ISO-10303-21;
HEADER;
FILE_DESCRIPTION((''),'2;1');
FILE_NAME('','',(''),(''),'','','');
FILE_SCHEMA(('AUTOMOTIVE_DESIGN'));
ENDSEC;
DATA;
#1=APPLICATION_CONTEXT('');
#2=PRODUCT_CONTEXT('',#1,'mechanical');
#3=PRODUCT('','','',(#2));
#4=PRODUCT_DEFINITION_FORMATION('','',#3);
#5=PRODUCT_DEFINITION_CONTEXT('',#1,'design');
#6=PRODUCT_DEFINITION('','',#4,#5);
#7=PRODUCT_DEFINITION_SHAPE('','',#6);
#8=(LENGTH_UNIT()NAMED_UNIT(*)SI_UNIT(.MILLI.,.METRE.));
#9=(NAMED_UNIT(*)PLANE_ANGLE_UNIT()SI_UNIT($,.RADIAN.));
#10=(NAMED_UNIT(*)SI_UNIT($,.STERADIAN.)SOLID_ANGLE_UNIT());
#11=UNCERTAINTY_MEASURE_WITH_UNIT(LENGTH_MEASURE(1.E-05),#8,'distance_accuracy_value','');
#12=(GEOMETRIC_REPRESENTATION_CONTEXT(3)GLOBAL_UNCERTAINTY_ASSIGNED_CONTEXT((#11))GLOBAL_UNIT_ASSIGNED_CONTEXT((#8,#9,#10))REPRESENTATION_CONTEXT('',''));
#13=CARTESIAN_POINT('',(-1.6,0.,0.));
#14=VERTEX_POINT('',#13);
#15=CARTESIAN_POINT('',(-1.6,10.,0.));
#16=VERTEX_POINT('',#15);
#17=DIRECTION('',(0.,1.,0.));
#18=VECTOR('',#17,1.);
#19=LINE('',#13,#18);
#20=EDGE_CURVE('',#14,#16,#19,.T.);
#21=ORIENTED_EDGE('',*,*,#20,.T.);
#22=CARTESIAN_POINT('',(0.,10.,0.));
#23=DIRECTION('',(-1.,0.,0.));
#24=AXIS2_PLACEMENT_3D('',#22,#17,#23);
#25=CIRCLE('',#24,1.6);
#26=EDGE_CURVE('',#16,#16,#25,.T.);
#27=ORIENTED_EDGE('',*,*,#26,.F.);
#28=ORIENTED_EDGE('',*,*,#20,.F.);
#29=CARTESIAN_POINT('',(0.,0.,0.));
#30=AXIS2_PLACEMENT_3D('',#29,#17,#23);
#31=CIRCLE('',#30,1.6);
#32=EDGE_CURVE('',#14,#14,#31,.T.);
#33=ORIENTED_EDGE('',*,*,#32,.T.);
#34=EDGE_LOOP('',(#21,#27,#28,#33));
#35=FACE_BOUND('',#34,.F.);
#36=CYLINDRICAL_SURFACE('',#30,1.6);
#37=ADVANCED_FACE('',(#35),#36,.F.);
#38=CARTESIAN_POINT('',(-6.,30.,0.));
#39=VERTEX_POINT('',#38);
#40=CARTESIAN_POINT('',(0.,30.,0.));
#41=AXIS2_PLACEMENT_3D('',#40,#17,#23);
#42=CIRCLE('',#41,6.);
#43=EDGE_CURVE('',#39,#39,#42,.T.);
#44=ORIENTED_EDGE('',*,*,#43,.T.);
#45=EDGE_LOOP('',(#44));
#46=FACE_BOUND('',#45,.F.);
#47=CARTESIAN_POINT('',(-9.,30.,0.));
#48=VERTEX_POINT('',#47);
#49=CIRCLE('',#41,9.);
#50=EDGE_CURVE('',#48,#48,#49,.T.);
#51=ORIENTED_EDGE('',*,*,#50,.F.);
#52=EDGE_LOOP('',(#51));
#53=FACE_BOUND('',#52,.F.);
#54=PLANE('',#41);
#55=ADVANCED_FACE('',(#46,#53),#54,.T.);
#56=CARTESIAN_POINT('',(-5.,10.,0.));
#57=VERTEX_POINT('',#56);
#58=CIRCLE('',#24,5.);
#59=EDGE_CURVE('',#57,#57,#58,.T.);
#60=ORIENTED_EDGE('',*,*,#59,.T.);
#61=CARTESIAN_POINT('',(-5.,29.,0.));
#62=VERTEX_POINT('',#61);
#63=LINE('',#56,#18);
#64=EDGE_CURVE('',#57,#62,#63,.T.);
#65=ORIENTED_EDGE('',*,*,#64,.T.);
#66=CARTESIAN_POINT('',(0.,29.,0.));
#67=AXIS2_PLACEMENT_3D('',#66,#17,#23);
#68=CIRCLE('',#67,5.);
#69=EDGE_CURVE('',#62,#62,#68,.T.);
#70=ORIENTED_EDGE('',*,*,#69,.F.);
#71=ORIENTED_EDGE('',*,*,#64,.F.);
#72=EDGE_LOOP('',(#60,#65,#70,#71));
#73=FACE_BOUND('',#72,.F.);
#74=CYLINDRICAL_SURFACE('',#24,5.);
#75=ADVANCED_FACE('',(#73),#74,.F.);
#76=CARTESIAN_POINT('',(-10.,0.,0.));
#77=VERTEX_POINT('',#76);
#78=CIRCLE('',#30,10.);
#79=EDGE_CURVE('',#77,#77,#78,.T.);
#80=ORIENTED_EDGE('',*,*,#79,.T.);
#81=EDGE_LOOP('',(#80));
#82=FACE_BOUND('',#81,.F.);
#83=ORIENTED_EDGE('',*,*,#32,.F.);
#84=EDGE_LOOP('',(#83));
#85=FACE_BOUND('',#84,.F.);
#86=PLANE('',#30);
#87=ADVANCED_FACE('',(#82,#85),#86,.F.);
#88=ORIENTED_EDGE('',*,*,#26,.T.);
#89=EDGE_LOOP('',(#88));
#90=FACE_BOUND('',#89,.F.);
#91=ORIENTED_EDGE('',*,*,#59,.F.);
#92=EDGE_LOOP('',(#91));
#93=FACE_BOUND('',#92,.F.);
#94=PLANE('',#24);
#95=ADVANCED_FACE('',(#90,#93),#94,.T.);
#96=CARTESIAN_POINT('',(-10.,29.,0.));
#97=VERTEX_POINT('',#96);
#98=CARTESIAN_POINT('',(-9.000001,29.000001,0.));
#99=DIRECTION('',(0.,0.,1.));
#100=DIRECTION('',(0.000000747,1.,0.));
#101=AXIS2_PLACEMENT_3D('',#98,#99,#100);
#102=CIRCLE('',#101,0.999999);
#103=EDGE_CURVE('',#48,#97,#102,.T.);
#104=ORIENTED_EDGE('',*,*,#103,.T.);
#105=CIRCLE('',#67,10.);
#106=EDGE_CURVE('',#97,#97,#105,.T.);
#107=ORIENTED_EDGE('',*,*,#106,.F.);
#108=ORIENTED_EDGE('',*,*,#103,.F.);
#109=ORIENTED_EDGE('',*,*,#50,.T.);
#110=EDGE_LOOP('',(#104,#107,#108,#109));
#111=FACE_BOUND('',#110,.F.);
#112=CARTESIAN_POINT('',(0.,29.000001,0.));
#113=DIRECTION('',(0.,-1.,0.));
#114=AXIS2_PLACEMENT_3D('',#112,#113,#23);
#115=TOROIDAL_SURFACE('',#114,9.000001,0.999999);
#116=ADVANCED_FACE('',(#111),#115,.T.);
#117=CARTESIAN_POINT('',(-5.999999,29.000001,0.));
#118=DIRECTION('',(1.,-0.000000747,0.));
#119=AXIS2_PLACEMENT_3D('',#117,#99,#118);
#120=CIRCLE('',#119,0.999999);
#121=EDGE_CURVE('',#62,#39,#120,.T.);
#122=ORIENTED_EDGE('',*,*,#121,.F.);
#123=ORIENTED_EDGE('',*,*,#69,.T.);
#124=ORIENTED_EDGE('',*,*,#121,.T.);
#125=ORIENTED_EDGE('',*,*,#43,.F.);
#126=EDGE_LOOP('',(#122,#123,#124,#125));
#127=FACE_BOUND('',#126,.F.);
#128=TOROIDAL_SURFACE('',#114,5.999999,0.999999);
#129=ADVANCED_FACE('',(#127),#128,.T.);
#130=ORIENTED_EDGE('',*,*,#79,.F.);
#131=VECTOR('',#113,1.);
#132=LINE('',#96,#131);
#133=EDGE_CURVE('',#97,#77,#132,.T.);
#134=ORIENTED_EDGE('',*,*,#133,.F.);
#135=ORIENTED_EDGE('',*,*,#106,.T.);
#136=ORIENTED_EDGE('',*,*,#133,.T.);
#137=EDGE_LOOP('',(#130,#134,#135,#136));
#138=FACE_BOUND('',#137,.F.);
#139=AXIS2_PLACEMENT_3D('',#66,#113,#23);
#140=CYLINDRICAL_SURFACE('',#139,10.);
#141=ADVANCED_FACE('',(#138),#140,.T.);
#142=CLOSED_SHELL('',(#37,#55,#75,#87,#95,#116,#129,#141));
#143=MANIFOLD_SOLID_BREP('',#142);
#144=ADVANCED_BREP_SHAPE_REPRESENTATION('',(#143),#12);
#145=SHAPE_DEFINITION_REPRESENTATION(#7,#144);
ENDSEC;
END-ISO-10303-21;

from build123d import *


with BuildPart() as f1:
    # F0 (on Top) → F1 (revolve)
    with BuildSketch(Plane.XY):
        with BuildLine():
            Line((-10, 0), (-1.6, 0))
            Line((-1.6, 0), (-1.6, 10))
            Line((-1.6, 10), (-5, 10))
            Line((-5, 10), (-5, 29))
            ThreePointArc((-5, 29), (-5.292893, 29.707107), (-6, 30))
            Line((-6, 30), (-9, 30))
            ThreePointArc((-9, 30), (-9.707107, 29.707107), (-10, 29))
            Line((-10, 29), (-10, 0))
        make_face()
    revolve(axis=Axis((0, 5.870081, 0), (0, 1, 0)))


solid = f1.part
